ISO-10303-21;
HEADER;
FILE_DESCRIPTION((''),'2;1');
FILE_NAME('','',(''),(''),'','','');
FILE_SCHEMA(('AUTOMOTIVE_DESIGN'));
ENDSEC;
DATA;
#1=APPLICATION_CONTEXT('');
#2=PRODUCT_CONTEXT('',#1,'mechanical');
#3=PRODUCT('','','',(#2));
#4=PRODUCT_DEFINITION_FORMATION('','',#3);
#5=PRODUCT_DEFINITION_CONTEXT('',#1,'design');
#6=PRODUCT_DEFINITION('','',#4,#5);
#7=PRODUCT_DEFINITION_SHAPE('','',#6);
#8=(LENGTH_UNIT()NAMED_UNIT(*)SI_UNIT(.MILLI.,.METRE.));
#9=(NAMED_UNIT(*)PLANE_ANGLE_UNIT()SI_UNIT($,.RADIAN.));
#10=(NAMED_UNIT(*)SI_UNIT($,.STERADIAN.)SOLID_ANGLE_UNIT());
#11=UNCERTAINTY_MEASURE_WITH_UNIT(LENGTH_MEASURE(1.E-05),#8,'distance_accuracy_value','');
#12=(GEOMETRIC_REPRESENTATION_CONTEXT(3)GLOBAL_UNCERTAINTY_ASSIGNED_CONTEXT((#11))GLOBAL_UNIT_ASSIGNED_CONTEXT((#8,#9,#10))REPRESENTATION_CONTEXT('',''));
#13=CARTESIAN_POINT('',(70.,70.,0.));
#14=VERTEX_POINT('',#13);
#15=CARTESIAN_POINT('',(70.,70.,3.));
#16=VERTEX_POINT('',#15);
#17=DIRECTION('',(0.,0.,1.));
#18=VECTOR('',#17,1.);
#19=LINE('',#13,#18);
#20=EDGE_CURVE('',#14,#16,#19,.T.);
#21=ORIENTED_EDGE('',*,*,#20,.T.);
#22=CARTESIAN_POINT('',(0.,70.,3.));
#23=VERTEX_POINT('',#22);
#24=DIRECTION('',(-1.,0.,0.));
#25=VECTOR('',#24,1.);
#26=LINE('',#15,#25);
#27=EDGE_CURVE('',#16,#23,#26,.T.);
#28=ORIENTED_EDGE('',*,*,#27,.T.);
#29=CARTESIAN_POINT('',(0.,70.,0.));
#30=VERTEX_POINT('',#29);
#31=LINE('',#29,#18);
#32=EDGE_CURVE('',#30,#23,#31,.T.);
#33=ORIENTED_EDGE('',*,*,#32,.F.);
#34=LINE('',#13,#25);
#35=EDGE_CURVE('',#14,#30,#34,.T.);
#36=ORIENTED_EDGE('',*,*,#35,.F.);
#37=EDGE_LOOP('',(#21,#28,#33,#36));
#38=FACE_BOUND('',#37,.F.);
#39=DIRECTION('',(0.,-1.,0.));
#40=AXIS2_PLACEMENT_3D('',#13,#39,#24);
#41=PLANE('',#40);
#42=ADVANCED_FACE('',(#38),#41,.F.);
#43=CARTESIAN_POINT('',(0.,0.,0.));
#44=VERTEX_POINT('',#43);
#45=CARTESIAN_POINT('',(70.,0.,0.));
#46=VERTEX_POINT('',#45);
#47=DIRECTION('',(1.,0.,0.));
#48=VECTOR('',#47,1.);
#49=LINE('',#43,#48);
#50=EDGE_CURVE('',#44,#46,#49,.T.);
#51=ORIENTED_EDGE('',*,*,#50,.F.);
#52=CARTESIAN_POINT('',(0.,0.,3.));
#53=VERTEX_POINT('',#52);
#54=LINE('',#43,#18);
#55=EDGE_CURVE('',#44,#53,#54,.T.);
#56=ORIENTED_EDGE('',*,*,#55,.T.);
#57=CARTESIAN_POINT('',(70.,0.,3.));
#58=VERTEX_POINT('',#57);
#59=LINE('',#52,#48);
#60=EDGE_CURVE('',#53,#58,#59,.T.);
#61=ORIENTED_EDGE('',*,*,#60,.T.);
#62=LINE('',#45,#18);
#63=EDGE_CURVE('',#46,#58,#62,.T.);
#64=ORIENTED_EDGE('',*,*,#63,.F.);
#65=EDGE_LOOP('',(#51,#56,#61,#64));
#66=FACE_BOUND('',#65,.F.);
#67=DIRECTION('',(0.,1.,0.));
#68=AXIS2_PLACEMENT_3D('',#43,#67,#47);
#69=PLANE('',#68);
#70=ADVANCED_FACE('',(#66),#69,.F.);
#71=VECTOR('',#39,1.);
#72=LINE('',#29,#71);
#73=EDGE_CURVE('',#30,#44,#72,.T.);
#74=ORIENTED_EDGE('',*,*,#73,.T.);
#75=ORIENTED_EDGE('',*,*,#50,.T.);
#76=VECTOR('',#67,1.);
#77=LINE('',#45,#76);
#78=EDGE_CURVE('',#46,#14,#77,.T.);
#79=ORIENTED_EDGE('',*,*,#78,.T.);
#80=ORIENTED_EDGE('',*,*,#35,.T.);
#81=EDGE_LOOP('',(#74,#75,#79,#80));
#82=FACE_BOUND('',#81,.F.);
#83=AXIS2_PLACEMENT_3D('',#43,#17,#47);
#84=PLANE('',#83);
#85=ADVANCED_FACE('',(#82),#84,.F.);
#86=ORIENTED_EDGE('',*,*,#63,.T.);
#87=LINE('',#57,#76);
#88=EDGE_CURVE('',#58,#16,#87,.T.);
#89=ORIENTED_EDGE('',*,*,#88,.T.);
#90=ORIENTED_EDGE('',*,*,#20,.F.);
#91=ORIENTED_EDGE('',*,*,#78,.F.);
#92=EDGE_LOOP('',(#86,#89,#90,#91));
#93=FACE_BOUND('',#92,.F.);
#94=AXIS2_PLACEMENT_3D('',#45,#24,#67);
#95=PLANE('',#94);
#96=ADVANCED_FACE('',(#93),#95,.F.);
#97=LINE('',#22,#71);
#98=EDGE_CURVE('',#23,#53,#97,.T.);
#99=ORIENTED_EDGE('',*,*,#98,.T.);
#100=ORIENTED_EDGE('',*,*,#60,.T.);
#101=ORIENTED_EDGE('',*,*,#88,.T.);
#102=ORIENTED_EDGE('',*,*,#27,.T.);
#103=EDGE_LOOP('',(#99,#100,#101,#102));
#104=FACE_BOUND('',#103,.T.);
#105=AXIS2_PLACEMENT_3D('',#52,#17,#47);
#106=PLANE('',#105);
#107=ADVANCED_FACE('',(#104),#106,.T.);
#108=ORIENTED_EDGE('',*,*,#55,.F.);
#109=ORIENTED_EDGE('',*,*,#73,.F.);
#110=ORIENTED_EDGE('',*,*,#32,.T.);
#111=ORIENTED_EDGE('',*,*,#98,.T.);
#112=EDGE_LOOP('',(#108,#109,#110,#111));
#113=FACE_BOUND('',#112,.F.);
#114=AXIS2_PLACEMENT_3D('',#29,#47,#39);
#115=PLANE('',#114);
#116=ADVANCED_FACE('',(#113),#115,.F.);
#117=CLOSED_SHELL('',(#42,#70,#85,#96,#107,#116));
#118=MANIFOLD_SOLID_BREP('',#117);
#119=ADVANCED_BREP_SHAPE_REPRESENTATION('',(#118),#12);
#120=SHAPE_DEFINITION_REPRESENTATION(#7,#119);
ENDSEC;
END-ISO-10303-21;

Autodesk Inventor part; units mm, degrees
ref_plane "YZ Plane" through (0, 0, 0) normal (1, 0, 0) x (0, 1, 0)
ref_plane "XZ Plane" through (0, 0, 0) normal (0, 1, 0) x (-1, 0, 0)
ref_plane "XY Plane" through (0, 0, 0) normal (0, 0, 1) x (1, 0, 0)
sketch "Sketch1" plane through (0, 0, 0) normal (0, 0, 1) x (1, 0, 0)
  line L0 (0, 0) -> (70, 0)
  line L1 (70, 0) -> (70, 70)
  line L2 (70, 70) -> (0, 70)
  line L3 (0, 70) -> (0, 0)
  dimension "d0" = 70
  dimension "d1" = 70
extrude "Extrusion1" add sketch "Sketch1" along normal blind 3
sketch "Esboço3" plane through (0, 0, 3) normal (0, 0, 1) x (1, 0, 0)
  line L0 (70, 70) -> (0, 70) projected
  line L1 (70, 0) -> (70, 70) projected
  line L2 (0, 70) -> (0, 0) projected
  line L3 (41, 63) -> (29, 63)
  line L4 (29, 63) -> (29, 38)
  line L5 (29, 38) -> (41, 38)
  line L6 (41, 38) -> (41, 63)
  line L7 (41, 7) -> (29, 7)
  line L8 (29, 7) -> (29, 32)
  line L9 (29, 32) -> (41, 32)
  line L10 (41, 32) -> (41, 7)
  line L11 (0, 0) -> (70, 0) projected
  circle A0 centre (23, 19.5) radius 1.5
  circle A1 centre (23, 19.5) radius 4.5
  circle A2 centre (47, 19.5) radius 1.5
  circle A3 centre (47, 19.5) radius 4.5
  point P0 (35, 70)
  point P1 (35, 63)
  point P2 (35, 7)
  dimension "d10" = 70
  dimension "d11" = 12
  dimension "d12" = 25
  dimension "d13" = 7
  dimension "d14" = 35
  dimension "d15" = 12
  dimension "d16" = 25
  dimension "d17" = 7
  dimension "d18" = 35
  dimension "d21" = 3
  dimension "d22" = 12.5
  dimension "d24" = 9
  dimension "d25" = 6
  dimension "d26" = 3
  dimension "d27" = 9
  dimension "d28" = 6
  dimension "d29" = 12.5
equation "\"d13\" = d17"
equation "\"d14\" = 0.5 * d10"
equation "\"d18\" = d14"
